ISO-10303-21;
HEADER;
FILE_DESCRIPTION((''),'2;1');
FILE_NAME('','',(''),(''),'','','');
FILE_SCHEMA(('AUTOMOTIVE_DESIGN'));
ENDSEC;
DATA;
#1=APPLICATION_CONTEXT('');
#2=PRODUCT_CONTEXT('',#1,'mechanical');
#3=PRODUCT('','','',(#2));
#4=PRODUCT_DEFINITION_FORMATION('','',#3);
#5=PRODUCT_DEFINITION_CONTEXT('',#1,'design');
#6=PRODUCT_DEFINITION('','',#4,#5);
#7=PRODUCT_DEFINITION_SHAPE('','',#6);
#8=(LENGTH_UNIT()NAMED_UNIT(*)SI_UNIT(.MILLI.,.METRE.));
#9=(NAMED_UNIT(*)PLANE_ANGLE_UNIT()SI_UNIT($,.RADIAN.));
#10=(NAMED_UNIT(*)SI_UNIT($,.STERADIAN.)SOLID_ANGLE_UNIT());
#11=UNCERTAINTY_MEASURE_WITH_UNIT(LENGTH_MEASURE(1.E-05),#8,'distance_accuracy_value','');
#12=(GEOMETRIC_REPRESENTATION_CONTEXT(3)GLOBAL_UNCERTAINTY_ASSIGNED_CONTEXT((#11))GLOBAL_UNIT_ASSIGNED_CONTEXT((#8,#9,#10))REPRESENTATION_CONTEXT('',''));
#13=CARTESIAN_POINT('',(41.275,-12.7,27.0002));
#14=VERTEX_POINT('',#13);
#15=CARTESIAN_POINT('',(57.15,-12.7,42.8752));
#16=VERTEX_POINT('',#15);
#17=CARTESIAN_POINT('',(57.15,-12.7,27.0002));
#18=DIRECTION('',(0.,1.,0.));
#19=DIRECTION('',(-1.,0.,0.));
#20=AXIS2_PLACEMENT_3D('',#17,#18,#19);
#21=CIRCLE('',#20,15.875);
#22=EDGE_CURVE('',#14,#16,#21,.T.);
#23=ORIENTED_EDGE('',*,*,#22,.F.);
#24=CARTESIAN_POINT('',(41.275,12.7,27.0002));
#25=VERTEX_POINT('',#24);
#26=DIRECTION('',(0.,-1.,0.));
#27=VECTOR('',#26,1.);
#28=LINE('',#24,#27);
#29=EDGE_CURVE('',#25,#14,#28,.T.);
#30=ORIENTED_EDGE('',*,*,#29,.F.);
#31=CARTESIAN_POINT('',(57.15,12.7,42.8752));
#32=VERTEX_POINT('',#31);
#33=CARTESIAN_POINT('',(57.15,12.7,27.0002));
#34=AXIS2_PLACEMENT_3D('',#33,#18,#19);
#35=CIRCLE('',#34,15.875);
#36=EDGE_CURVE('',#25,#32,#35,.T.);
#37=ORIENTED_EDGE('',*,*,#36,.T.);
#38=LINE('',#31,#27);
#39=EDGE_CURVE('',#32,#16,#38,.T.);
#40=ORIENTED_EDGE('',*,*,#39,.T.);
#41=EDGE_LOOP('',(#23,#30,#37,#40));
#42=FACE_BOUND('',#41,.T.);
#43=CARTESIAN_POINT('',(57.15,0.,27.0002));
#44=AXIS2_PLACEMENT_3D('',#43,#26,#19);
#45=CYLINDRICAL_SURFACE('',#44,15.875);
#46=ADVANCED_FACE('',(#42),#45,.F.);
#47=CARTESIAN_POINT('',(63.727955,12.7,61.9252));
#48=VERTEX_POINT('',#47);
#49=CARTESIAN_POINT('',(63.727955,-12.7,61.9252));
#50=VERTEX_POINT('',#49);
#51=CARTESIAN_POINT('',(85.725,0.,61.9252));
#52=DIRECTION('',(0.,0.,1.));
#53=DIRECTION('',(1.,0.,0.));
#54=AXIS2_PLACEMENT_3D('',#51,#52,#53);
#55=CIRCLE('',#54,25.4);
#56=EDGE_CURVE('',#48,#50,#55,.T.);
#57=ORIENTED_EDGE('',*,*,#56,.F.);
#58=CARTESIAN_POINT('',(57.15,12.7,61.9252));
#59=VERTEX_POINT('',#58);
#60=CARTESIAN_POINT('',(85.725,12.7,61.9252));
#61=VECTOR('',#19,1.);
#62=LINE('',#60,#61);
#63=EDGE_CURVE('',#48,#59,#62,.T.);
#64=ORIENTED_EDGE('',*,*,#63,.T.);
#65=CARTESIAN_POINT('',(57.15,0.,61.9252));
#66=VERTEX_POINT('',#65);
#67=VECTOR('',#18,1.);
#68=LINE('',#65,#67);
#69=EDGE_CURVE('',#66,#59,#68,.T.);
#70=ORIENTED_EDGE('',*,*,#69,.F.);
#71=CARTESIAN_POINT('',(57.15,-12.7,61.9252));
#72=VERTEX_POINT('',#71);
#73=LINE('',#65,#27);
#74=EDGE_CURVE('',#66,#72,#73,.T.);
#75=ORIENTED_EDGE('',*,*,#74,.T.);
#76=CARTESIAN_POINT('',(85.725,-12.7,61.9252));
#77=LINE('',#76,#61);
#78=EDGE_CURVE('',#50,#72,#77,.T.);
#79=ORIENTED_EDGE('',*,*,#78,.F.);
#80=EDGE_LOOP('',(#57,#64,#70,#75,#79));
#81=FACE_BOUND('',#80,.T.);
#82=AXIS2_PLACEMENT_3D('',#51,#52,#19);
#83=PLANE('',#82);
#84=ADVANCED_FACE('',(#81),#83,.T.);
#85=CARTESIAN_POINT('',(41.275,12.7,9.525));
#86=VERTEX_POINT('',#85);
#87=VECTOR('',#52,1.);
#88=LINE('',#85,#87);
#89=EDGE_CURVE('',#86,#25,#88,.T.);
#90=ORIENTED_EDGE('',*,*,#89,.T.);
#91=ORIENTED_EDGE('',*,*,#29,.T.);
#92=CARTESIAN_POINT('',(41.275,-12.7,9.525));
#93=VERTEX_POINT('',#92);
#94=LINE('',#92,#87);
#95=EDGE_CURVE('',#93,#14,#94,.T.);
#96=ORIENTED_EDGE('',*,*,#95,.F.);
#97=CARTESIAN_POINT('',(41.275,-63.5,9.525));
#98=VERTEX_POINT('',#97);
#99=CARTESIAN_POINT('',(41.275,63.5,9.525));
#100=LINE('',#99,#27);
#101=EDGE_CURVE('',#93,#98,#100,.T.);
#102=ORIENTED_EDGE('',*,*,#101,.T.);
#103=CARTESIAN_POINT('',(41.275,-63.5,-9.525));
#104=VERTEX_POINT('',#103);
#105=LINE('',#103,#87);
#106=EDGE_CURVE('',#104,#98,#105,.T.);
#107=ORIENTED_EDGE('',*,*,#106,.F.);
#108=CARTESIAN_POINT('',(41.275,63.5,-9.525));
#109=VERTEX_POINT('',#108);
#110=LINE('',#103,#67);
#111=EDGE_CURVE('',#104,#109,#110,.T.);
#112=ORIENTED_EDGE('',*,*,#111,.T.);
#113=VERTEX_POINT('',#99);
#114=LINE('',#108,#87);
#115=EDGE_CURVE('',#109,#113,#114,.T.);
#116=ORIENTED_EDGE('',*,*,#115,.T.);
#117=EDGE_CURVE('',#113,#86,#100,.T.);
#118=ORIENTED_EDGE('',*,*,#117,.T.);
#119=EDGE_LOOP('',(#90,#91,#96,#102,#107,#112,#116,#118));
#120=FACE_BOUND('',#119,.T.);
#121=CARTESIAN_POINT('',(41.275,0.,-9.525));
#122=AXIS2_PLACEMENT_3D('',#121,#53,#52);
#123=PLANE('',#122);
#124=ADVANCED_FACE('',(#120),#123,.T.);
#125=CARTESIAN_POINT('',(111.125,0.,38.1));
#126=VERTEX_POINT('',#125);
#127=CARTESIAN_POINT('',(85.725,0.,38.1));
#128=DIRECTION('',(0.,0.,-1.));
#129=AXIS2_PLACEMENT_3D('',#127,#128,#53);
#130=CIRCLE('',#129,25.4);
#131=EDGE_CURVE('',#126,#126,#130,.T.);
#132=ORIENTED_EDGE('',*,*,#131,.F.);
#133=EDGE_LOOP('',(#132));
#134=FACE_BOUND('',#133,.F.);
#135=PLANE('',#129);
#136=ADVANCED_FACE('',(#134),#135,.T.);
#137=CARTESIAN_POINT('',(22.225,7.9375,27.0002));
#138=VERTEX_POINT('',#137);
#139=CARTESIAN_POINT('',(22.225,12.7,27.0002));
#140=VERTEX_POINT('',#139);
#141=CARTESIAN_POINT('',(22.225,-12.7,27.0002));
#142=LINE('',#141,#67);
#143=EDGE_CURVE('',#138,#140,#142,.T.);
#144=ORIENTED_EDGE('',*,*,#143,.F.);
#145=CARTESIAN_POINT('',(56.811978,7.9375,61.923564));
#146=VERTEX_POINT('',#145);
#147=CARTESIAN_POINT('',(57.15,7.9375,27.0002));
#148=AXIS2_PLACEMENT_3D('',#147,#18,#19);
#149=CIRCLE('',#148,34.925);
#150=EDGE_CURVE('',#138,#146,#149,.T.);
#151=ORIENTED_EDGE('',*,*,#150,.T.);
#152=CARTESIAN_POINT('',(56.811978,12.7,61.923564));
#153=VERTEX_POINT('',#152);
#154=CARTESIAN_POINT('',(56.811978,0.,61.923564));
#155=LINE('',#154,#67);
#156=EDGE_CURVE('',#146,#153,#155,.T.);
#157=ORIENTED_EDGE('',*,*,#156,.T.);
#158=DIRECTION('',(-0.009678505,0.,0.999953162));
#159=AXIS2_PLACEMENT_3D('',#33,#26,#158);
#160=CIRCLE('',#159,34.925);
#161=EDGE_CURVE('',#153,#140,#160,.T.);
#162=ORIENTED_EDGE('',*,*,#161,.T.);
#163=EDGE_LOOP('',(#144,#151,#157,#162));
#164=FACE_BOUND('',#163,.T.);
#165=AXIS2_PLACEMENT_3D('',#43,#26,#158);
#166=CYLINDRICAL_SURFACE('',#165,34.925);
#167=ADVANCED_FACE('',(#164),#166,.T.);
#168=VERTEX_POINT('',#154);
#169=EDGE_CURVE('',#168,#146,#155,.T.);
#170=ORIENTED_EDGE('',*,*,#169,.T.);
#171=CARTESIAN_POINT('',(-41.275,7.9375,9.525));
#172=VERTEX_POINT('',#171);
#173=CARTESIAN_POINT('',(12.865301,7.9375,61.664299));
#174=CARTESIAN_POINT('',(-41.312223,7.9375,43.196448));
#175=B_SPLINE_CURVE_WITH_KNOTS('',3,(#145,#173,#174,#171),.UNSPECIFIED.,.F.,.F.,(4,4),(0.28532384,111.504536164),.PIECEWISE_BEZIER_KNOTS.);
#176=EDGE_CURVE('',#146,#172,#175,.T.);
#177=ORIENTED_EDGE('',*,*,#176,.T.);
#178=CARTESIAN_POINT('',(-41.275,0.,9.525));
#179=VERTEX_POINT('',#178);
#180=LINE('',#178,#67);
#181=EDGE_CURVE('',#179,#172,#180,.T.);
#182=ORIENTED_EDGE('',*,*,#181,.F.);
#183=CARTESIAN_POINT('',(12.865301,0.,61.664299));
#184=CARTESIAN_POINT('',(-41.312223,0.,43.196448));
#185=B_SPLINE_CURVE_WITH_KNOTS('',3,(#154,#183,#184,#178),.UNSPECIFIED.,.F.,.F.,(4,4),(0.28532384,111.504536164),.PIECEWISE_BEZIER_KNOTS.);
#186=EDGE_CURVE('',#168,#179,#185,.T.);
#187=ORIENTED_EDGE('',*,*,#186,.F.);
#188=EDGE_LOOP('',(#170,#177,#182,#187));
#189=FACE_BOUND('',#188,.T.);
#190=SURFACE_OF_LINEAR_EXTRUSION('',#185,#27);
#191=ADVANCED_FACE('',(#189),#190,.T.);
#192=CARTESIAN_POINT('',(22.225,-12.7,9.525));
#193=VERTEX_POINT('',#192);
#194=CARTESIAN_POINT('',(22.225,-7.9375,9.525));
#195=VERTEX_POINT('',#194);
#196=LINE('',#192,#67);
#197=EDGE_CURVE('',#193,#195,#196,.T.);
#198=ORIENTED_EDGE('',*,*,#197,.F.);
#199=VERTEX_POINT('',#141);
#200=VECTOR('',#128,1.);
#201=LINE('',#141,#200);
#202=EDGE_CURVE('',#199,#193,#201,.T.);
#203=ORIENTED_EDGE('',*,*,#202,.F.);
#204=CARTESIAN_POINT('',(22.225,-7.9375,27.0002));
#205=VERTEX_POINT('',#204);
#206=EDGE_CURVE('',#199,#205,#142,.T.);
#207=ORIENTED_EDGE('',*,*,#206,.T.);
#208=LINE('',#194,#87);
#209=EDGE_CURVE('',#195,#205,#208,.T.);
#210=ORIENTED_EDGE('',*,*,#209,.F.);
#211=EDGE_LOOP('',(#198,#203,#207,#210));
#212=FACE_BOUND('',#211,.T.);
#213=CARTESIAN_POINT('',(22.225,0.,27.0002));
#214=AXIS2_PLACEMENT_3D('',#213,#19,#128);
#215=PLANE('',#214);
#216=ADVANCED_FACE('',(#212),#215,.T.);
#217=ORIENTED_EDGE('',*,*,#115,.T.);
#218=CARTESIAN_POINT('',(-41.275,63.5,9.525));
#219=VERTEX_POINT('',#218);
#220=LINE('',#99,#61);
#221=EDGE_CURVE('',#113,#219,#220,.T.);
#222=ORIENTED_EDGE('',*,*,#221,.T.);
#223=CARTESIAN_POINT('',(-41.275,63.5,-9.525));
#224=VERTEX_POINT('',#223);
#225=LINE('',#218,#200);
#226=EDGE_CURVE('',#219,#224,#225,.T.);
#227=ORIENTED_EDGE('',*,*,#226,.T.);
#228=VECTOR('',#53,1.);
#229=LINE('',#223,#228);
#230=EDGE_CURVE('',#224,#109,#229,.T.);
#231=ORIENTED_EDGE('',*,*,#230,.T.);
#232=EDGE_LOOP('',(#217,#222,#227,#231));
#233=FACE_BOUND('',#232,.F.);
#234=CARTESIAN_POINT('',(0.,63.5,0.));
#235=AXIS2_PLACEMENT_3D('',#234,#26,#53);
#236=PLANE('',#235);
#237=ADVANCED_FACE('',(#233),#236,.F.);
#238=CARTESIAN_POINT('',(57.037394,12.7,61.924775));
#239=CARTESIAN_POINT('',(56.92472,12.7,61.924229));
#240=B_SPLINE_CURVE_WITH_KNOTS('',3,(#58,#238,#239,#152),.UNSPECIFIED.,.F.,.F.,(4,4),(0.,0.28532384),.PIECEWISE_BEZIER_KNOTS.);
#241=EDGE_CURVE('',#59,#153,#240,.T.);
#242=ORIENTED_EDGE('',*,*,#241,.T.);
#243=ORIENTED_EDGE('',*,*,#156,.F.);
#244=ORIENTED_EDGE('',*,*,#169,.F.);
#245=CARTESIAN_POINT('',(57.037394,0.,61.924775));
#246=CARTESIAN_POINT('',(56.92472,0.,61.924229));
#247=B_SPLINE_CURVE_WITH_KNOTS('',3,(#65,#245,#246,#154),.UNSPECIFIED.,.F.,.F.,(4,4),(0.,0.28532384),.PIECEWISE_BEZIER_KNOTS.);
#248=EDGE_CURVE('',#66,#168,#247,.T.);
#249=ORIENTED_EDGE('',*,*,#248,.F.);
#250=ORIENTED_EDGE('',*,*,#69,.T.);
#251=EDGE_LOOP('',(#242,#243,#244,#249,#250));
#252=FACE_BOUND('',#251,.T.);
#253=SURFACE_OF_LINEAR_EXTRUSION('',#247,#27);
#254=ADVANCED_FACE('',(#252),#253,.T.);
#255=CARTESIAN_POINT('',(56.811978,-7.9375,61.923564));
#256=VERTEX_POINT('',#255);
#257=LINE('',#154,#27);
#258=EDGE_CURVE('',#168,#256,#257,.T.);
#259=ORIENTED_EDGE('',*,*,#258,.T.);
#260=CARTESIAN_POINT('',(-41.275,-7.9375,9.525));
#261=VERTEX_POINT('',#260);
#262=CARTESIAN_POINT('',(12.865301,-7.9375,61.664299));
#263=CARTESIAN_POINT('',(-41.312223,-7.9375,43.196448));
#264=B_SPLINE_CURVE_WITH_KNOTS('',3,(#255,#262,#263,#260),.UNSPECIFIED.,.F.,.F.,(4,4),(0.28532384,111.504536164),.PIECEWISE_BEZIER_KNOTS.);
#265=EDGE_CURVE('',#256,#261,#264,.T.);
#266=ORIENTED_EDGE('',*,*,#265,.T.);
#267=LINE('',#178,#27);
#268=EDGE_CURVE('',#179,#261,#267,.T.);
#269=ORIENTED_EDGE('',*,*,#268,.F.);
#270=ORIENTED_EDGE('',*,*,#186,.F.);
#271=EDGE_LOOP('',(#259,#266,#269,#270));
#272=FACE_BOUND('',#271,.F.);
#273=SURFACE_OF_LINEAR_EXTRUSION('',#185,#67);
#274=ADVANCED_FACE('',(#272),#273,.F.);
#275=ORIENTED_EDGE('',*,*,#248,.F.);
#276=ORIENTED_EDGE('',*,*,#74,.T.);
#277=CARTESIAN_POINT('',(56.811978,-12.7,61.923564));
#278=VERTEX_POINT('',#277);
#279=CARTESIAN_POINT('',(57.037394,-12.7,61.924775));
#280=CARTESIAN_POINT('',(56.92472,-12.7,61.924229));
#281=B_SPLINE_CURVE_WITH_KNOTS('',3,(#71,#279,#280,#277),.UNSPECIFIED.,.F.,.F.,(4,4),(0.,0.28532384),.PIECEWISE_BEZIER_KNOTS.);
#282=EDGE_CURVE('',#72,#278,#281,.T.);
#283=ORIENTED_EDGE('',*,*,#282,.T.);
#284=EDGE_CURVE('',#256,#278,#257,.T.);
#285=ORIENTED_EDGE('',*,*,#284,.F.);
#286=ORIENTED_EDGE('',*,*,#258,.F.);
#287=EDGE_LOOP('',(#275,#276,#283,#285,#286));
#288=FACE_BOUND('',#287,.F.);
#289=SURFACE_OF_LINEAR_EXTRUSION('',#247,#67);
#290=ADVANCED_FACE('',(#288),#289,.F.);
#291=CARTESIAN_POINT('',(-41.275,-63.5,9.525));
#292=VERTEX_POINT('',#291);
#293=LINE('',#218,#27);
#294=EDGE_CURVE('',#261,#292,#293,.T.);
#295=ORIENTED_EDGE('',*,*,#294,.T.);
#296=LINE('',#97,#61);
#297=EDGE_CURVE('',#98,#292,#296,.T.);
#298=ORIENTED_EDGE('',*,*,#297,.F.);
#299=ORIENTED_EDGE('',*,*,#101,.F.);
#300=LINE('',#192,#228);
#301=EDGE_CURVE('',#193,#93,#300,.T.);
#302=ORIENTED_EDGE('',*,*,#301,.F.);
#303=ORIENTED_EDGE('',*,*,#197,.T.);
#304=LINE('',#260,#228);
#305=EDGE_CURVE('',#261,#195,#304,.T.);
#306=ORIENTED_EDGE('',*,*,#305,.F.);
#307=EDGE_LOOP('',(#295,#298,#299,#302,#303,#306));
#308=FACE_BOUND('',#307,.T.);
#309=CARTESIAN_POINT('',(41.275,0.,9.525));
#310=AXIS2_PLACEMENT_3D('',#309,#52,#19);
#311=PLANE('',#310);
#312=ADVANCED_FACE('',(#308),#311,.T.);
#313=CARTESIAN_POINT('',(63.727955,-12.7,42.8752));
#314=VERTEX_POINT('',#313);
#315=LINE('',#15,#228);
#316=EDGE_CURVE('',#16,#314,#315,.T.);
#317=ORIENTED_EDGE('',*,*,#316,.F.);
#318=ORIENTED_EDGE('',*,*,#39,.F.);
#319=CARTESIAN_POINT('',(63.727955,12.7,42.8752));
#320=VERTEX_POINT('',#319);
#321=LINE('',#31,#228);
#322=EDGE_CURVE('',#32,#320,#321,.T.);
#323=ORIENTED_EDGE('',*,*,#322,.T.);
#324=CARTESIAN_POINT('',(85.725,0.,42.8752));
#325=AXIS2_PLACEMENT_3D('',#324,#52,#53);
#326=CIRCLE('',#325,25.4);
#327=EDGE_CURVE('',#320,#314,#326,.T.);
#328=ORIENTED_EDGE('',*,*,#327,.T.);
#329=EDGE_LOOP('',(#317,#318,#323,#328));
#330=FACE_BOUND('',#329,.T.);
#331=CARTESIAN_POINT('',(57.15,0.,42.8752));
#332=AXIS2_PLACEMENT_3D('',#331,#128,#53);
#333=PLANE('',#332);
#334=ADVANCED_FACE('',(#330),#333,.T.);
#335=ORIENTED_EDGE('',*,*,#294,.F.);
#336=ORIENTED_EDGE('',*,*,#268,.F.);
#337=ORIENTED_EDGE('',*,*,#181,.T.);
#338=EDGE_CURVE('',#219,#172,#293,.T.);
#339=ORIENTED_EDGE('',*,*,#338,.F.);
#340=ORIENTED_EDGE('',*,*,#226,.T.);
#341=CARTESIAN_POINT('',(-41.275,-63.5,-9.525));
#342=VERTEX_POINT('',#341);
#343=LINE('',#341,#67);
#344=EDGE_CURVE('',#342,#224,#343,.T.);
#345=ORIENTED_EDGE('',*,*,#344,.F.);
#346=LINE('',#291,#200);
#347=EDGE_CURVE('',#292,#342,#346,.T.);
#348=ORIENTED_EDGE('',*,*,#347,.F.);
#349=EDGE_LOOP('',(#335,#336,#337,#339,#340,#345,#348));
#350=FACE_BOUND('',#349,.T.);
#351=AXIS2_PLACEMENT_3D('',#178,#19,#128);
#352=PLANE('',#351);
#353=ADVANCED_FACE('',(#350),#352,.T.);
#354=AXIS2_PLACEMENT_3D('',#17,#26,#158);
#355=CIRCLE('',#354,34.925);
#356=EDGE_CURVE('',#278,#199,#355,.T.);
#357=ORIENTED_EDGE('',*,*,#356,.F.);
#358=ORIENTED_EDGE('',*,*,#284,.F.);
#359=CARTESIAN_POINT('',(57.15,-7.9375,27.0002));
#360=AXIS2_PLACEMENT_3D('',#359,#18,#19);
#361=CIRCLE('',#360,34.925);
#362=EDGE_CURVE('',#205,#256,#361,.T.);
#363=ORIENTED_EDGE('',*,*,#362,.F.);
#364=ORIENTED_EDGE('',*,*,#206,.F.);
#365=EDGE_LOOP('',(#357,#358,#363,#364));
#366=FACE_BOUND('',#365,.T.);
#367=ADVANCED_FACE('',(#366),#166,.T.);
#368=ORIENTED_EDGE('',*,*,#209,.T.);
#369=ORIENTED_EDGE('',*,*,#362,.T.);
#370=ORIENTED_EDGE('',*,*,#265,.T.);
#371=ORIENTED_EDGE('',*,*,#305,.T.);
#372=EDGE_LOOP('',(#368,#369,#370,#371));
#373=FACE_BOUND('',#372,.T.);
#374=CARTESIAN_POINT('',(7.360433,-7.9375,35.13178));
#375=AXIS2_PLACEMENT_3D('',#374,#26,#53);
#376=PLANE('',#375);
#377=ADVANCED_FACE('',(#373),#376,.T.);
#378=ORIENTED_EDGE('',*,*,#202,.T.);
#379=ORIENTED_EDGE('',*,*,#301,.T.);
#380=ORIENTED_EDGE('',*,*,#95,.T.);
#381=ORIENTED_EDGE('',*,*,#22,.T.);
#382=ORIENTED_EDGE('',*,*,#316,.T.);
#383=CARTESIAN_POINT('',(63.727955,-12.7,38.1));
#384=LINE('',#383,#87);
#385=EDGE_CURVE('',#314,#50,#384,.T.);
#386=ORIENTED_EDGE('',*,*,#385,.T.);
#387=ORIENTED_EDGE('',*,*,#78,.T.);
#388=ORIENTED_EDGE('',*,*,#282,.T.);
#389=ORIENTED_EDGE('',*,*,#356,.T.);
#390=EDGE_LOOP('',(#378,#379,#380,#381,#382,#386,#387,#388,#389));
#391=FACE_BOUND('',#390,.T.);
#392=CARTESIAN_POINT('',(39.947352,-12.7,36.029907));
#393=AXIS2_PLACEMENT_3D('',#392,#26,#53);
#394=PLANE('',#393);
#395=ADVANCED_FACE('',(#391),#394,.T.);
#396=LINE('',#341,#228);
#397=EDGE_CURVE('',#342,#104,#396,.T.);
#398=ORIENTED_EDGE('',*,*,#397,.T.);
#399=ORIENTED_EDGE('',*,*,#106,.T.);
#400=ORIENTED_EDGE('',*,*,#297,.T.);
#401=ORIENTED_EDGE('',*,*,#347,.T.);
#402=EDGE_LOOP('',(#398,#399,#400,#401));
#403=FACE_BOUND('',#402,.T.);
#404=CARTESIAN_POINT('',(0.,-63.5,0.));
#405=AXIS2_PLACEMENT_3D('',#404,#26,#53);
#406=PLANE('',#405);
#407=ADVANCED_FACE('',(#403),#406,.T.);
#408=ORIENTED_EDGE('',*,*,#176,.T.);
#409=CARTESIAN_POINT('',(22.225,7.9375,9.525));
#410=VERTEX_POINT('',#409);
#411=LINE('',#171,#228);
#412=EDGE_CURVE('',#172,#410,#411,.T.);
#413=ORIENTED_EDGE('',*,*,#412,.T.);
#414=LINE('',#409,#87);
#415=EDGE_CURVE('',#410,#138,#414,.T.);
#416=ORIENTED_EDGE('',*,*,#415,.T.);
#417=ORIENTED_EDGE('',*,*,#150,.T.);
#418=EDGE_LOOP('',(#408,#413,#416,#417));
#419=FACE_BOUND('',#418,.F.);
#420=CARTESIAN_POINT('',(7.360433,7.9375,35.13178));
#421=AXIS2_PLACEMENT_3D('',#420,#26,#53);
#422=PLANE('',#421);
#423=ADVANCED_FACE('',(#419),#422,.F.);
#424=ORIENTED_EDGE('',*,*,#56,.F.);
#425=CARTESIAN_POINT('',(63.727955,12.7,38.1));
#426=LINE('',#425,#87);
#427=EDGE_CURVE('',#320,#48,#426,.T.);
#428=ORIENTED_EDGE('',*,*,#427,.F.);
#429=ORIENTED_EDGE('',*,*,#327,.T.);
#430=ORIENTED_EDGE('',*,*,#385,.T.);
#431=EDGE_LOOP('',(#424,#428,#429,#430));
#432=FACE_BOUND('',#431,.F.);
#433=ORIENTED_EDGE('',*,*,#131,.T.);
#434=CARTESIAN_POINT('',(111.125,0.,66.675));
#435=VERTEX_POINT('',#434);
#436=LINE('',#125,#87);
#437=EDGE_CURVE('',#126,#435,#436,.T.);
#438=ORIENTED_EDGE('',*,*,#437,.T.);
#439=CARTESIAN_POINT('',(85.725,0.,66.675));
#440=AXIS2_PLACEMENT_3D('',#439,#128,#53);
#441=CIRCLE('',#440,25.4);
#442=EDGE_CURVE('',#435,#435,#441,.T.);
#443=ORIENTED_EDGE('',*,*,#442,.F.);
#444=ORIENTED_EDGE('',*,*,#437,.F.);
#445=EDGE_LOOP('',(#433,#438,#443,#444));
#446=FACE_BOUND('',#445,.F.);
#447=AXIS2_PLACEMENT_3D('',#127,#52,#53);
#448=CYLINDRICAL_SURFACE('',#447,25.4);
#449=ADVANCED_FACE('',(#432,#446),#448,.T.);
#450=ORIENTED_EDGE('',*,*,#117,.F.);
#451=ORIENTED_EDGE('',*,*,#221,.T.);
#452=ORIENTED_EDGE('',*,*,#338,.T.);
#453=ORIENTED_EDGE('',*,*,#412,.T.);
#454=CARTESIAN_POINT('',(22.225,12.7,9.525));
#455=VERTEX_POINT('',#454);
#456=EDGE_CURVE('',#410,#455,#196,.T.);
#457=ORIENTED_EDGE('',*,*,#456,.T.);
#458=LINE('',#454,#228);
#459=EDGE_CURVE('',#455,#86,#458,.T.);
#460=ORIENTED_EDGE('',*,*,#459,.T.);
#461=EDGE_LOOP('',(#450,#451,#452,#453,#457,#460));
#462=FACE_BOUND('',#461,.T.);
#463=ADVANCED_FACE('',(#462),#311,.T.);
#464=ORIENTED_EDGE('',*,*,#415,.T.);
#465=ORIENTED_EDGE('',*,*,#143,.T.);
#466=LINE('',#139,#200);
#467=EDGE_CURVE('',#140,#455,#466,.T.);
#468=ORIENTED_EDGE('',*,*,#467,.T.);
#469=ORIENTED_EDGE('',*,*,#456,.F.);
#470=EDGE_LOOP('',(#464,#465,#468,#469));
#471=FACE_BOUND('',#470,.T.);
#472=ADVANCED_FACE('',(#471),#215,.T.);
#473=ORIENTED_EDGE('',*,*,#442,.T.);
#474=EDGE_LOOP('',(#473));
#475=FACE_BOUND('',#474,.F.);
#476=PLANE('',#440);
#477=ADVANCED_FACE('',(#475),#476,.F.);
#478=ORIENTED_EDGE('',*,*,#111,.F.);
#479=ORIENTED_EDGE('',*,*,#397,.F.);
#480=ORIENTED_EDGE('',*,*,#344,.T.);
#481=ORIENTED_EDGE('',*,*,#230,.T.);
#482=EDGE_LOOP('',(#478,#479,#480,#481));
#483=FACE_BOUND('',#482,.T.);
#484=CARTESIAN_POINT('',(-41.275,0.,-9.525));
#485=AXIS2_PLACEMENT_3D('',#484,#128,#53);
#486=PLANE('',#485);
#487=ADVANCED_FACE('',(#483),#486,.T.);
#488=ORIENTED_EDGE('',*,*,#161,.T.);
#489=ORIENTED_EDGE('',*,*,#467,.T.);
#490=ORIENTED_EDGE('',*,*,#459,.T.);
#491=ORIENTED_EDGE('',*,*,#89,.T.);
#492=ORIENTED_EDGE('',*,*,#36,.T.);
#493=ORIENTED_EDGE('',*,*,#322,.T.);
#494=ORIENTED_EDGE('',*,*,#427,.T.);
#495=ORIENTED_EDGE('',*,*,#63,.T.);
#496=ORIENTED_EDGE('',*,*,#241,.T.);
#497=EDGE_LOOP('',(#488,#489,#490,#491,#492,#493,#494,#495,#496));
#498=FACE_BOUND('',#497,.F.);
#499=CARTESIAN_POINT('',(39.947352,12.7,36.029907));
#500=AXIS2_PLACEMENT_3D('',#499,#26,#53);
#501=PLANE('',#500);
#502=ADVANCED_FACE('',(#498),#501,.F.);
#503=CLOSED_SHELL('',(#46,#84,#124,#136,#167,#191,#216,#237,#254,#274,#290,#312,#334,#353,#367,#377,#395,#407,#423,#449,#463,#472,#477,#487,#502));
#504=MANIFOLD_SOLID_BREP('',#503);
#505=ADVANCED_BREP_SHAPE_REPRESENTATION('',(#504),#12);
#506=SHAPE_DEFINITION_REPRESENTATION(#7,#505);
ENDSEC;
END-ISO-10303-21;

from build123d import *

# Parameters (mm, degrees)
F1_DEPTH = 63.5
F0_W     = 25.4
F0_H     = 19.05
F2_DEPTH = 12.7
F3_DEPTH = 7.9375


with BuildPart() as f1:
    # F0 (on Front) → F1 (new body, symmetric)
    with BuildSketch(Plane.XZ):
        Polygon((41.275, -9.525), (41.275, 9.525), (22.225, 9.525), (-41.275, 9.525), (-41.275, -9.525), align=None)
    extrude(amount=F1_DEPTH, both=True)

    # F0 (on Front) → F2 (join, symmetric)
    with BuildSketch(Plane.XZ):
        with BuildLine():
            Line((22.225, 9.525), (41.275, 9.525))
            Line((41.275, 9.525), (41.275, 27.0002))
            ThreePointArc((41.275, 27.0002), (45.9246798487, 38.2255201513), (57.15, 42.8752))
            Line((57.15, 42.8752), (60.325, 42.8752))
            Line((60.325, 42.8752), (60.325, 61.9252))
            Line((60.325, 61.9252), (57.15, 61.9252))
            add(Edge.make_bspline(
                [(57.15, 61.9252), (57.0373941286, 61.9247746009), (56.9247198361, 61.9242293137), (56.8119782106, 61.9235641889)],
                knots=[0, 0, 0, 0, 0.2853238396, 0.2853238396, 0.2853238396, 0.2853238396], degree=3))
            ThreePointArc((56.8119782106, 61.9235641889), (32.3350746929, 51.5761050088), (22.225, 27.0002))
            Line((22.225, 27.0002), (22.225, 9.525))
        make_face()
        with Locations((73.025, 52.4002)):
            Rectangle(F0_W, F0_H)
    extrude(amount=F2_DEPTH, both=True)

    # F0 (on Front) → F3 (join, symmetric)
    with BuildSketch(Plane.XZ):
        with BuildLine():
            Line((-41.275, 9.525), (22.225, 9.525))
            Line((22.225, 9.525), (22.225, 27.0002))
            ThreePointArc((22.225, 27.0002), (32.3350746929, 51.5761050088), (56.8119782106, 61.9235641889))
            add(Edge.make_bspline(
                [(56.8119782106, 61.9235641889), (12.8653006287, 61.6642986017), (-41.3122228032, 43.1964478653), (-41.275, 9.525)],
                knots=[0.2853238396, 0.2853238396, 0.2853238396, 0.2853238396, 111.5045361635, 111.5045361635, 111.5045361635, 111.5045361635], degree=3))
        make_face()
    extrude(amount=F3_DEPTH, both=True)

    # F0 (on Front) → F4 (revolve)
    with BuildSketch(Plane.XZ):
        Polygon((85.725, 61.9252), (85.725, 42.8752), (85.725, 38.1), (111.125, 38.1), (111.125, 66.675), (85.725, 66.675), align=None)
    revolve(axis=Axis((85.725, 0, 52.3875), (0, 0, -1)))


solid = f1.part
